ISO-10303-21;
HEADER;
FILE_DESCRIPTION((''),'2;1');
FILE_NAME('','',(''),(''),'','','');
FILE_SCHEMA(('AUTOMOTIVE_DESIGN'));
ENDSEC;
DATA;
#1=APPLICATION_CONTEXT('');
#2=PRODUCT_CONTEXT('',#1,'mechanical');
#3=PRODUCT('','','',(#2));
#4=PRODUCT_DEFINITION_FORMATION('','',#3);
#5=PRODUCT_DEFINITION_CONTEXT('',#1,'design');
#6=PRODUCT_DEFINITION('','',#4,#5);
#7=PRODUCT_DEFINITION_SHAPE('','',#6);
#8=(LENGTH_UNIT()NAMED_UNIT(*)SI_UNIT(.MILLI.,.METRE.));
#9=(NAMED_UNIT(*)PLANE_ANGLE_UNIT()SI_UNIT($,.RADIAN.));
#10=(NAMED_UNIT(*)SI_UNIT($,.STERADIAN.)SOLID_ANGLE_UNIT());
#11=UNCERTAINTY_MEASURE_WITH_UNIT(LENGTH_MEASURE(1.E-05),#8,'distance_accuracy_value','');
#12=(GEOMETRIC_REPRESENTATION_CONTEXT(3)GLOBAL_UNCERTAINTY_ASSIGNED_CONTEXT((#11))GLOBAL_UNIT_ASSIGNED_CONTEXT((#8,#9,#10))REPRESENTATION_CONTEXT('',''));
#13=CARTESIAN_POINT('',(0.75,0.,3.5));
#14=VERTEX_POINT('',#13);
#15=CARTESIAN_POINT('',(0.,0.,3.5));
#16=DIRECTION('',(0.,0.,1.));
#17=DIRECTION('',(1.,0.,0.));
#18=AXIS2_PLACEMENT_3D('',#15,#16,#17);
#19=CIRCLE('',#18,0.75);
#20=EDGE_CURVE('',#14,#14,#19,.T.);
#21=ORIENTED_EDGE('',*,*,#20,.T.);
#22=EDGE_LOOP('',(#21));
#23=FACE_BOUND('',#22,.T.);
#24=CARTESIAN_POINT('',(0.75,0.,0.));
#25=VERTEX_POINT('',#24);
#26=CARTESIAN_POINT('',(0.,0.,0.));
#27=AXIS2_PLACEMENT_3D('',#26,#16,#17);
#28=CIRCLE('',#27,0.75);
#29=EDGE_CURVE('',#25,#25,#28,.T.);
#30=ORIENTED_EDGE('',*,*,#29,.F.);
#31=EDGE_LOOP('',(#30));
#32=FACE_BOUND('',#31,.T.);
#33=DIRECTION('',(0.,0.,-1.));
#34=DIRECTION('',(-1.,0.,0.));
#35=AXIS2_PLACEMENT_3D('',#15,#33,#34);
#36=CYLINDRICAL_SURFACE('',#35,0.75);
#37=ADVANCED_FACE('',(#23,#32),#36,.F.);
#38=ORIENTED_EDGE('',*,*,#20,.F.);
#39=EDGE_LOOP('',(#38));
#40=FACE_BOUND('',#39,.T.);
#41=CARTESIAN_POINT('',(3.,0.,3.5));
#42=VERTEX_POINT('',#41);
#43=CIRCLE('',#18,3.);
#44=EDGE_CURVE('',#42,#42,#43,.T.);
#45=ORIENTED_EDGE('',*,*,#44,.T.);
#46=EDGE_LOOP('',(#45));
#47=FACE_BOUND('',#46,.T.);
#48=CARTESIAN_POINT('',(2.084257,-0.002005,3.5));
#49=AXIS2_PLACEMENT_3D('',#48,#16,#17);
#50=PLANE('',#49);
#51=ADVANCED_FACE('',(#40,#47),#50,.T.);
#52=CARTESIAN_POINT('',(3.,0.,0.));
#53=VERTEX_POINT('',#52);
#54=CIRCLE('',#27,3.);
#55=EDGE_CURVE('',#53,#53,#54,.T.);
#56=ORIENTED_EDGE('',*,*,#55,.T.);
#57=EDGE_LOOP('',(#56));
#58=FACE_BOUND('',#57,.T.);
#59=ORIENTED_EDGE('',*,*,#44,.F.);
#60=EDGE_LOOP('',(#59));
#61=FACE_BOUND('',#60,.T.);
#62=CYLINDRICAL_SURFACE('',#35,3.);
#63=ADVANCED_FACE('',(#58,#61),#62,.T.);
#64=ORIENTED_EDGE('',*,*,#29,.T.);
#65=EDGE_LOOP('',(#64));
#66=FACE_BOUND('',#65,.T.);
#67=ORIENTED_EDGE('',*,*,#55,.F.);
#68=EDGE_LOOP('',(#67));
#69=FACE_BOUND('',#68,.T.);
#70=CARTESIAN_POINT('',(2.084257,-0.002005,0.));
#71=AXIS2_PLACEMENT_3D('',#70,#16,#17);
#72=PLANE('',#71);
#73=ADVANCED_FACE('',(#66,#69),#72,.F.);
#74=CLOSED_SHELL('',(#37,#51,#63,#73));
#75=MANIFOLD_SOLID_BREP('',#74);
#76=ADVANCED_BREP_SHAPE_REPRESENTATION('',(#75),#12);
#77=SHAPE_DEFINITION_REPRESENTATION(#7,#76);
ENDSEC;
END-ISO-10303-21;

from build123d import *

# Parameters (mm, degrees)
ESQUISSE1_R        = 0.75
BOSS_EXTRU_1_DEPTH = 3.5
ESQUISSE2_R        = 3
ESQUISSE2_R_2      = 0.75
BOSS_EXTRU_2_DEPTH = 3.5


with BuildPart() as part:
    # Esquisse1 → Boss.-Extru.1 (new body)
    with BuildSketch(Plane.XY):
        with BuildLine():
            ThreePointArc((2.977310095, 0.368272455), (2.955741127, 0.513414445), (2.927100903, 0.657328154))
            add(Edge.make_bspline(
                [(2.211403727, 0.79214554), (2.222779445, 0.796220429), (2.274133198, 0.805614359), (2.359373738, 0.810478726), (2.538607422, 0.796225963), (2.732062921, 0.744216047), (2.878239296, 0.681280138), (2.927100903, 0.657328154)],
                knots=[0, 0, 0, 0, 0.036250587, 0.155621312, 0.255291203, 0.575254513, 0.744084786, 0.744084786, 0.744084786, 0.744084786], degree=3))
            add(Edge.make_bspline(
                [(2.211403727, 0.79214554), (2.132130324, 0.763749064), (1.99001212, 0.681956821), (1.750090704, 0.694113528), (1.707279056, 0.775127876)],
                knots=[0, 0, 0, 0, 0.252617676, 0.527509393, 0.527509393, 0.527509393, 0.527509393], degree=3))
            ThreePointArc((1.707279056, 0.775127876), (1.657764419, 0.876037746), (1.602292085, 0.973799299))
            add(Edge.make_bspline(
                [(1.90038092, 1.380707558), (1.832256922, 1.331212576), (1.684611138, 1.259880414), (1.559480437, 1.054813647), (1.602292085, 0.973799299)],
                knots=[0, 0, 0, 0, 0.252617676, 0.527509393, 0.527509393, 0.527509393, 0.527509393], degree=3))
            add(Edge.make_bspline(
                [(1.90038092, 1.380707558), (1.9101567, 1.387810078), (1.946851003, 1.424944725), (1.998895263, 1.49262786), (2.088102134, 1.648736761), (2.154127637, 1.837868182), (2.184488772, 1.994094501), (2.192229346, 2.04795764)],
                knots=[0, 0, 0, 0, 0.036250587, 0.155621312, 0.255291203, 0.575254513, 0.744084786, 0.744084786, 0.744084786, 0.744084786], degree=3))
            ThreePointArc((2.192229346, 2.04795764), (2.089467363, 2.152702055), (1.98170658, 2.25229639))
            add(Edge.make_bspline(
                [(1.32345173, 1.940689701), (1.33025972, 1.950672835), (1.366284165, 1.988457663), (1.432386008, 2.04249615), (1.585766668, 2.136316339), (1.772846116, 2.207949723), (1.928098087, 2.242953821), (1.98170658, 2.25229639)],
                knots=[0, 0, 0, 0, 0.036250587, 0.155621312, 0.255291203, 0.575254513, 0.744084786, 0.744084786, 0.744084786, 0.744084786], degree=3))
            add(Edge.make_bspline(
                [(1.32345173, 1.940689701), (1.27600923, 1.871120733), (1.209109462, 1.721414433), (1.007863426, 1.590227146), (0.925609036, 1.630605075)],
                knots=[0, 0, 0, 0, 0.252617676, 0.527509393, 0.527509393, 0.527509393, 0.527509393], degree=3))
            ThreePointArc((0.925609036, 1.630605075), (0.82623752, 1.683138901), (0.72389666, 1.729623839))
            add(Edge.make_bspline(
                [(0.72588092, 2.234031757), (0.699859868, 2.153947194), (0.622339913, 2.009454248), (0.641642271, 1.770001768), (0.72389666, 1.729623839)],
                knots=[0, 0, 0, 0, 0.252617676, 0.527509393, 0.527509393, 0.527509393, 0.527509393], degree=3))
            add(Edge.make_bspline(
                [(0.72588092, 2.234031757), (0.729614936, 2.245523876), (0.737474053, 2.297134806), (0.739795594, 2.382482461), (0.720206959, 2.561211698), (0.662454053, 2.753031049), (0.595189201, 2.897266624), (0.569791499, 2.945392614)],
                knots=[0, 0, 0, 0, 0.036250587, 0.155621312, 0.255291203, 0.575254513, 0.744084786, 0.744084786, 0.744084786, 0.744084786], degree=3))
            ThreePointArc((0.569791499, 2.945392614), (0.425088085, 2.969730648), (0.279367699, 2.986963958))
            add(Edge.make_bspline(
                [(-0.070013845, 2.347956359), (-0.070374004, 2.360034519), (-0.063438981, 2.411777724), (-0.041724492, 2.494349468), (0.027216945, 2.660406485), (0.136462351, 2.82832165), (0.241488941, 2.947895379), (0.279367699, 2.986963958)],
                knots=[0, 0, 0, 0, 0.036250587, 0.155621312, 0.255291203, 0.575254513, 0.744084786, 0.744084786, 0.744084786, 0.744084786], degree=3))
            add(Edge.make_bspline(
                [(-0.070013845, 2.347956359), (-0.06750402, 2.263787878), (-0.033631914, 2.103350241), (-0.119333425, 1.878928045), (-0.209612175, 1.863246558)],
                knots=[0, 0, 0, 0, 0.252617676, 0.527509393, 0.527509393, 0.527509393, 0.527509393], degree=3))
            ThreePointArc((-0.209612175, 1.863246558), (-0.320884028, 1.847338204), (-0.431002684, 1.824790861))
            add(Edge.make_bspline(
                [(-0.72588092, 2.234031757), (-0.699859868, 2.153947194), (-0.677644007, 1.991484859), (-0.521281435, 1.809109374), (-0.431002684, 1.824790861)],
                knots=[0, 0, 0, 0, 0.252617676, 0.527509393, 0.527509393, 0.527509393, 0.527509393], degree=3))
            add(Edge.make_bspline(
                [(-0.72588092, 2.234031757), (-0.729614936, 2.245523876), (-0.75359292, 2.291897469), (-0.801880846, 2.36230974), (-0.922782795, 2.495390819), (-1.082254463, 2.616629628), (-1.221452415, 2.693781371), (-1.270287335, 2.717787719)],
                knots=[0, 0, 0, 0, 0.036250587, 0.155621312, 0.255291203, 0.575254513, 0.744084786, 0.744084786, 0.744084786, 0.744084786], degree=3))
            ThreePointArc((-1.270287335, 2.717787719), (-1.401660393, 2.65242307), (-1.529680147, 2.580712818))
            add(Edge.make_bspline(
                [(-1.436736511, 1.858383491), (-1.44412725, 1.867943232), (-1.468930592, 1.913880668), (-1.499897654, 1.993446068), (-1.541728726, 2.168311777), (-1.552045394, 2.368370838), (-1.537360771, 2.526841097), (-1.529680147, 2.580712818)],
                knots=[0, 0, 0, 0, 0.036250587, 0.155621312, 0.255291203, 0.575254513, 0.744084786, 0.744084786, 0.744084786, 0.744084786], degree=3))
            add(Edge.make_bspline(
                [(-1.436736511, 1.858383491), (-1.385233029, 1.791764998), (-1.263527042, 1.681877747), (-1.200948963, 1.449942292), (-1.26476866, 1.384191185)],
                knots=[0, 0, 0, 0, 0.252617676, 0.527509393, 0.527509393, 0.527509393, 0.527509393], degree=3))
            ThreePointArc((-1.26476866, 1.384191185), (-1.345438785, 1.305917102), (-1.421273653, 1.222949796))
            add(Edge.make_bspline(
                [(-1.90038092, 1.380707558), (-1.832256922, 1.331212576), (-1.718790948, 1.212835941), (-1.48509335, 1.157198689), (-1.421273653, 1.222949796)],
                knots=[0, 0, 0, 0, 0.252617676, 0.527509393, 0.527509393, 0.527509393, 0.527509393], degree=3))
            add(Edge.make_bspline(
                [(-1.90038092, 1.380707558), (-1.9101567, 1.387810078), (-1.956813011, 1.411233197), (-2.037266059, 1.43981499), (-2.213300886, 1.476415463), (-2.413578559, 1.480764624), (-2.571540724, 1.461363192), (-2.625159582, 1.45208029)],
                knots=[0, 0, 0, 0, 0.036250587, 0.155621312, 0.255291203, 0.575254513, 0.744084786, 0.744084786, 0.744084786, 0.744084786], degree=3))
            ThreePointArc((-2.625159582, 1.45208029), (-2.693022242, 1.321980032), (-2.75444217, 1.188717096))
            add(Edge.make_bspline(
                [(-2.254674663, 0.658971294), (-2.266272971, 0.662361119), (-2.313340644, 0.684946248), (-2.385160892, 0.731114025), (-2.521786425, 0.847995669), (-2.64772455, 1.003782864), (-2.728990923, 1.140619401), (-2.75444217, 1.188717096)],
                knots=[0, 0, 0, 0, 0.036250587, 0.155621312, 0.255291203, 0.575254513, 0.744084786, 0.744084786, 0.744084786, 0.744084786], degree=3))
            add(Edge.make_bspline(
                [(-2.254674663, 0.658971294), (-2.173850103, 0.635348788), (-2.010797786, 0.617985118), (-1.823842817, 0.467127866), (-1.836826505, 0.376421826)],
                knots=[0, 0, 0, 0, 0.252617676, 0.527509393, 0.527509393, 0.527509393, 0.527509393], degree=3))
            ThreePointArc((-1.836826505, 0.376421826), (-1.856081655, 0.265680053), (-1.868666393, 0.153983476))
            add(Edge.make_bspline(
                [(-2.349, 0), (-2.264794108, 0), (-2.103418166, -0.029075083), (-1.881650081, 0.063277436), (-1.868666393, 0.153983476)],
                knots=[0, 0, 0, 0, 0.252617676, 0.527509393, 0.527509393, 0.527509393, 0.527509393], degree=3))
            add(Edge.make_bspline(
                [(-2.349, 0), (-2.361083529, 0), (-2.412597041, -0.00847419), (-2.494484881, -0.032640149), (-2.658413265, -0.106500419), (-2.822997679, -0.220702136), (-2.93938788, -0.329246056), (-2.977310095, -0.368272455)],
                knots=[0, 0, 0, 0, 0.036250587, 0.155621312, 0.255291203, 0.575254513, 0.744084786, 0.744084786, 0.744084786, 0.744084786], degree=3))
            ThreePointArc((-2.977310095, -0.368272455), (-2.955741127, -0.513414445), (-2.927100903, -0.657328154))
            add(Edge.make_bspline(
                [(-2.211403727, -0.79214554), (-2.222779445, -0.796220429), (-2.274133198, -0.805614359), (-2.359373738, -0.810478726), (-2.538607422, -0.796225963), (-2.732062921, -0.744216047), (-2.878239296, -0.681280138), (-2.927100903, -0.657328154)],
                knots=[0, 0, 0, 0, 0.036250587, 0.155621312, 0.255291203, 0.575254513, 0.744084786, 0.744084786, 0.744084786, 0.744084786], degree=3))
            add(Edge.make_bspline(
                [(-2.211403727, -0.79214554), (-2.132130324, -0.763749064), (-1.99001212, -0.681956821), (-1.750090704, -0.694113528), (-1.707279056, -0.775127876)],
                knots=[0, 0, 0, 0, 0.252617676, 0.527509393, 0.527509393, 0.527509393, 0.527509393], degree=3))
            ThreePointArc((-1.707279056, -0.775127876), (-1.657764419, -0.876037746), (-1.602292085, -0.973799299))
            add(Edge.make_bspline(
                [(-1.90038092, -1.380707558), (-1.832256922, -1.331212576), (-1.684611138, -1.259880414), (-1.559480437, -1.054813647), (-1.602292085, -0.973799299)],
                knots=[0, 0, 0, 0, 0.252617676, 0.527509393, 0.527509393, 0.527509393, 0.527509393], degree=3))
            add(Edge.make_bspline(
                [(-1.90038092, -1.380707558), (-1.9101567, -1.387810078), (-1.946851003, -1.424944725), (-1.998895263, -1.49262786), (-2.088102134, -1.648736761), (-2.154127637, -1.837868182), (-2.184488772, -1.994094501), (-2.192229346, -2.04795764)],
                knots=[0, 0, 0, 0, 0.036250587, 0.155621312, 0.255291203, 0.575254513, 0.744084786, 0.744084786, 0.744084786, 0.744084786], degree=3))
            ThreePointArc((-2.192229346, -2.04795764), (-2.089467363, -2.152702055), (-1.98170658, -2.25229639))
            add(Edge.make_bspline(
                [(-1.32345173, -1.940689701), (-1.33025972, -1.950672835), (-1.366284165, -1.988457663), (-1.432386008, -2.04249615), (-1.585766668, -2.136316339), (-1.772846116, -2.207949723), (-1.928098087, -2.242953821), (-1.98170658, -2.25229639)],
                knots=[0, 0, 0, 0, 0.036250587, 0.155621312, 0.255291203, 0.575254513, 0.744084786, 0.744084786, 0.744084786, 0.744084786], degree=3))
            add(Edge.make_bspline(
                [(-1.32345173, -1.940689701), (-1.27600923, -1.871120733), (-1.209109462, -1.721414433), (-1.007863426, -1.590227146), (-0.925609036, -1.630605075)],
                knots=[0, 0, 0, 0, 0.252617676, 0.527509393, 0.527509393, 0.527509393, 0.527509393], degree=3))
            ThreePointArc((-0.925609036, -1.630605075), (-0.82623752, -1.683138901), (-0.72389666, -1.729623839))
            add(Edge.make_bspline(
                [(-0.72588092, -2.234031757), (-0.699859868, -2.153947194), (-0.622339913, -2.009454248), (-0.641642271, -1.770001768), (-0.72389666, -1.729623839)],
                knots=[0, 0, 0, 0, 0.252617676, 0.527509393, 0.527509393, 0.527509393, 0.527509393], degree=3))
            add(Edge.make_bspline(
                [(-0.72588092, -2.234031757), (-0.729614936, -2.245523876), (-0.737474053, -2.297134806), (-0.739795594, -2.382482461), (-0.720206959, -2.561211698), (-0.662454053, -2.753031049), (-0.595189201, -2.897266624), (-0.569791499, -2.945392614)],
                knots=[0, 0, 0, 0, 0.036250587, 0.155621312, 0.255291203, 0.575254513, 0.744084786, 0.744084786, 0.744084786, 0.744084786], degree=3))
            ThreePointArc((-0.569791499, -2.945392614), (-0.425088085, -2.969730648), (-0.279367699, -2.986963958))
            add(Edge.make_bspline(
                [(0.070013845, -2.347956359), (0.070374004, -2.360034519), (0.063438981, -2.411777724), (0.041724492, -2.494349468), (-0.027216945, -2.660406485), (-0.136462351, -2.82832165), (-0.241488941, -2.947895379), (-0.279367699, -2.986963958)],
                knots=[0, 0, 0, 0, 0.036250587, 0.155621312, 0.255291203, 0.575254513, 0.744084786, 0.744084786, 0.744084786, 0.744084786], degree=3))
            add(Edge.make_bspline(
                [(0.070013845, -2.347956359), (0.06750402, -2.263787879), (0.033631914, -2.103350241), (0.119333425, -1.878928045), (0.209612175, -1.863246558)],
                knots=[0, 0, 0, 0, 0.252617676, 0.527509393, 0.527509393, 0.527509393, 0.527509393], degree=3))
            ThreePointArc((0.209612175, -1.863246558), (0.320884028, -1.847338204), (0.431002684, -1.824790861))
            add(Edge.make_bspline(
                [(0.72588092, -2.234031757), (0.699859868, -2.153947194), (0.677644007, -1.991484859), (0.521281435, -1.809109374), (0.431002684, -1.824790861)],
                knots=[0, 0, 0, 0, 0.252617676, 0.527509393, 0.527509393, 0.527509393, 0.527509393], degree=3))
            add(Edge.make_bspline(
                [(0.72588092, -2.234031757), (0.729614936, -2.245523876), (0.75359292, -2.291897469), (0.801880846, -2.36230974), (0.922782795, -2.495390819), (1.082254463, -2.616629628), (1.221452415, -2.693781371), (1.270287335, -2.717787719)],
                knots=[0, 0, 0, 0, 0.036250587, 0.155621312, 0.255291203, 0.575254513, 0.744084786, 0.744084786, 0.744084786, 0.744084786], degree=3))
            ThreePointArc((1.270287335, -2.717787719), (1.401660393, -2.65242307), (1.529680147, -2.580712818))
            add(Edge.make_bspline(
                [(1.436736511, -1.858383491), (1.44412725, -1.867943232), (1.468930592, -1.913880668), (1.499897654, -1.993446068), (1.541728726, -2.168311777), (1.552045394, -2.368370838), (1.537360771, -2.526841097), (1.529680147, -2.580712818)],
                knots=[0, 0, 0, 0, 0.036250587, 0.155621312, 0.255291203, 0.575254513, 0.744084786, 0.744084786, 0.744084786, 0.744084786], degree=3))
            add(Edge.make_bspline(
                [(1.436736511, -1.858383491), (1.385233029, -1.791764998), (1.263527042, -1.681877747), (1.200948963, -1.449942292), (1.26476866, -1.384191185)],
                knots=[0, 0, 0, 0, 0.252617676, 0.527509393, 0.527509393, 0.527509393, 0.527509393], degree=3))
            ThreePointArc((1.26476866, -1.384191185), (1.345438785, -1.305917102), (1.421273653, -1.222949796))
            add(Edge.make_bspline(
                [(1.90038092, -1.380707558), (1.832256922, -1.331212576), (1.718790948, -1.212835941), (1.48509335, -1.157198689), (1.421273653, -1.222949796)],
                knots=[0, 0, 0, 0, 0.252617676, 0.527509393, 0.527509393, 0.527509393, 0.527509393], degree=3))
            add(Edge.make_bspline(
                [(1.90038092, -1.380707558), (1.9101567, -1.387810078), (1.956813011, -1.411233197), (2.037266059, -1.43981499), (2.213300886, -1.476415463), (2.413578559, -1.480764624), (2.571540724, -1.461363192), (2.625159582, -1.45208029)],
                knots=[0, 0, 0, 0, 0.036250587, 0.155621312, 0.255291203, 0.575254513, 0.744084786, 0.744084786, 0.744084786, 0.744084786], degree=3))
            ThreePointArc((2.625159582, -1.45208029), (2.693022242, -1.321980032), (2.75444217, -1.188717096))
            add(Edge.make_bspline(
                [(2.254674663, -0.658971294), (2.266272971, -0.662361119), (2.313340644, -0.684946248), (2.385160892, -0.731114025), (2.521786425, -0.847995669), (2.64772455, -1.003782864), (2.728990923, -1.140619401), (2.75444217, -1.188717096)],
                knots=[0, 0, 0, 0, 0.036250587, 0.155621312, 0.255291203, 0.575254513, 0.744084786, 0.744084786, 0.744084786, 0.744084786], degree=3))
            add(Edge.make_bspline(
                [(2.254674663, -0.658971294), (2.173850103, -0.635348788), (2.010797786, -0.617985118), (1.823842817, -0.467127866), (1.836826505, -0.376421826)],
                knots=[0, 0, 0, 0, 0.252617676, 0.527509393, 0.527509393, 0.527509393, 0.527509393], degree=3))
            ThreePointArc((1.836826505, -0.376421826), (1.856081655, -0.265680053), (1.868666393, -0.153983476))
            add(Edge.make_bspline(
                [(2.349, 0), (2.264794108, 0), (2.103418166, 0.029075083), (1.881650081, -0.063277436), (1.868666393, -0.153983476)],
                knots=[0, 0, 0, 0, 0.252617676, 0.527509393, 0.527509393, 0.527509393, 0.527509393], degree=3))
            add(Edge.make_bspline(
                [(2.349, 0), (2.361083529, 0), (2.412597041, 0.00847419), (2.494484881, 0.032640149), (2.658413265, 0.106500419), (2.822997679, 0.220702136), (2.93938788, 0.329246056), (2.977310095, 0.368272455)],
                knots=[0, 0, 0, 0, 0.036250587, 0.155621312, 0.255291203, 0.575254513, 0.744084786, 0.744084786, 0.744084786, 0.744084786], degree=3))
        make_face()
        Circle(ESQUISSE1_R, mode=Mode.SUBTRACT)
    extrude(amount=BOSS_EXTRU_1_DEPTH)

    # Esquisse2 → Boss.-Extru.2 (add)
    with BuildSketch(Plane(origin=(0, 0, 0), x_dir=(-1, 0, 0), z_dir=(0, 0, -1))):
        with Locations(Location((0, 0, 0), (0, 0, 180))):
            Circle(ESQUISSE2_R)
        with Locations(Location((0, 0, 0), (0, 0, 180))):
            Circle(ESQUISSE2_R_2, mode=Mode.SUBTRACT)
    extrude(amount=-BOSS_EXTRU_2_DEPTH)


solid = part.part
